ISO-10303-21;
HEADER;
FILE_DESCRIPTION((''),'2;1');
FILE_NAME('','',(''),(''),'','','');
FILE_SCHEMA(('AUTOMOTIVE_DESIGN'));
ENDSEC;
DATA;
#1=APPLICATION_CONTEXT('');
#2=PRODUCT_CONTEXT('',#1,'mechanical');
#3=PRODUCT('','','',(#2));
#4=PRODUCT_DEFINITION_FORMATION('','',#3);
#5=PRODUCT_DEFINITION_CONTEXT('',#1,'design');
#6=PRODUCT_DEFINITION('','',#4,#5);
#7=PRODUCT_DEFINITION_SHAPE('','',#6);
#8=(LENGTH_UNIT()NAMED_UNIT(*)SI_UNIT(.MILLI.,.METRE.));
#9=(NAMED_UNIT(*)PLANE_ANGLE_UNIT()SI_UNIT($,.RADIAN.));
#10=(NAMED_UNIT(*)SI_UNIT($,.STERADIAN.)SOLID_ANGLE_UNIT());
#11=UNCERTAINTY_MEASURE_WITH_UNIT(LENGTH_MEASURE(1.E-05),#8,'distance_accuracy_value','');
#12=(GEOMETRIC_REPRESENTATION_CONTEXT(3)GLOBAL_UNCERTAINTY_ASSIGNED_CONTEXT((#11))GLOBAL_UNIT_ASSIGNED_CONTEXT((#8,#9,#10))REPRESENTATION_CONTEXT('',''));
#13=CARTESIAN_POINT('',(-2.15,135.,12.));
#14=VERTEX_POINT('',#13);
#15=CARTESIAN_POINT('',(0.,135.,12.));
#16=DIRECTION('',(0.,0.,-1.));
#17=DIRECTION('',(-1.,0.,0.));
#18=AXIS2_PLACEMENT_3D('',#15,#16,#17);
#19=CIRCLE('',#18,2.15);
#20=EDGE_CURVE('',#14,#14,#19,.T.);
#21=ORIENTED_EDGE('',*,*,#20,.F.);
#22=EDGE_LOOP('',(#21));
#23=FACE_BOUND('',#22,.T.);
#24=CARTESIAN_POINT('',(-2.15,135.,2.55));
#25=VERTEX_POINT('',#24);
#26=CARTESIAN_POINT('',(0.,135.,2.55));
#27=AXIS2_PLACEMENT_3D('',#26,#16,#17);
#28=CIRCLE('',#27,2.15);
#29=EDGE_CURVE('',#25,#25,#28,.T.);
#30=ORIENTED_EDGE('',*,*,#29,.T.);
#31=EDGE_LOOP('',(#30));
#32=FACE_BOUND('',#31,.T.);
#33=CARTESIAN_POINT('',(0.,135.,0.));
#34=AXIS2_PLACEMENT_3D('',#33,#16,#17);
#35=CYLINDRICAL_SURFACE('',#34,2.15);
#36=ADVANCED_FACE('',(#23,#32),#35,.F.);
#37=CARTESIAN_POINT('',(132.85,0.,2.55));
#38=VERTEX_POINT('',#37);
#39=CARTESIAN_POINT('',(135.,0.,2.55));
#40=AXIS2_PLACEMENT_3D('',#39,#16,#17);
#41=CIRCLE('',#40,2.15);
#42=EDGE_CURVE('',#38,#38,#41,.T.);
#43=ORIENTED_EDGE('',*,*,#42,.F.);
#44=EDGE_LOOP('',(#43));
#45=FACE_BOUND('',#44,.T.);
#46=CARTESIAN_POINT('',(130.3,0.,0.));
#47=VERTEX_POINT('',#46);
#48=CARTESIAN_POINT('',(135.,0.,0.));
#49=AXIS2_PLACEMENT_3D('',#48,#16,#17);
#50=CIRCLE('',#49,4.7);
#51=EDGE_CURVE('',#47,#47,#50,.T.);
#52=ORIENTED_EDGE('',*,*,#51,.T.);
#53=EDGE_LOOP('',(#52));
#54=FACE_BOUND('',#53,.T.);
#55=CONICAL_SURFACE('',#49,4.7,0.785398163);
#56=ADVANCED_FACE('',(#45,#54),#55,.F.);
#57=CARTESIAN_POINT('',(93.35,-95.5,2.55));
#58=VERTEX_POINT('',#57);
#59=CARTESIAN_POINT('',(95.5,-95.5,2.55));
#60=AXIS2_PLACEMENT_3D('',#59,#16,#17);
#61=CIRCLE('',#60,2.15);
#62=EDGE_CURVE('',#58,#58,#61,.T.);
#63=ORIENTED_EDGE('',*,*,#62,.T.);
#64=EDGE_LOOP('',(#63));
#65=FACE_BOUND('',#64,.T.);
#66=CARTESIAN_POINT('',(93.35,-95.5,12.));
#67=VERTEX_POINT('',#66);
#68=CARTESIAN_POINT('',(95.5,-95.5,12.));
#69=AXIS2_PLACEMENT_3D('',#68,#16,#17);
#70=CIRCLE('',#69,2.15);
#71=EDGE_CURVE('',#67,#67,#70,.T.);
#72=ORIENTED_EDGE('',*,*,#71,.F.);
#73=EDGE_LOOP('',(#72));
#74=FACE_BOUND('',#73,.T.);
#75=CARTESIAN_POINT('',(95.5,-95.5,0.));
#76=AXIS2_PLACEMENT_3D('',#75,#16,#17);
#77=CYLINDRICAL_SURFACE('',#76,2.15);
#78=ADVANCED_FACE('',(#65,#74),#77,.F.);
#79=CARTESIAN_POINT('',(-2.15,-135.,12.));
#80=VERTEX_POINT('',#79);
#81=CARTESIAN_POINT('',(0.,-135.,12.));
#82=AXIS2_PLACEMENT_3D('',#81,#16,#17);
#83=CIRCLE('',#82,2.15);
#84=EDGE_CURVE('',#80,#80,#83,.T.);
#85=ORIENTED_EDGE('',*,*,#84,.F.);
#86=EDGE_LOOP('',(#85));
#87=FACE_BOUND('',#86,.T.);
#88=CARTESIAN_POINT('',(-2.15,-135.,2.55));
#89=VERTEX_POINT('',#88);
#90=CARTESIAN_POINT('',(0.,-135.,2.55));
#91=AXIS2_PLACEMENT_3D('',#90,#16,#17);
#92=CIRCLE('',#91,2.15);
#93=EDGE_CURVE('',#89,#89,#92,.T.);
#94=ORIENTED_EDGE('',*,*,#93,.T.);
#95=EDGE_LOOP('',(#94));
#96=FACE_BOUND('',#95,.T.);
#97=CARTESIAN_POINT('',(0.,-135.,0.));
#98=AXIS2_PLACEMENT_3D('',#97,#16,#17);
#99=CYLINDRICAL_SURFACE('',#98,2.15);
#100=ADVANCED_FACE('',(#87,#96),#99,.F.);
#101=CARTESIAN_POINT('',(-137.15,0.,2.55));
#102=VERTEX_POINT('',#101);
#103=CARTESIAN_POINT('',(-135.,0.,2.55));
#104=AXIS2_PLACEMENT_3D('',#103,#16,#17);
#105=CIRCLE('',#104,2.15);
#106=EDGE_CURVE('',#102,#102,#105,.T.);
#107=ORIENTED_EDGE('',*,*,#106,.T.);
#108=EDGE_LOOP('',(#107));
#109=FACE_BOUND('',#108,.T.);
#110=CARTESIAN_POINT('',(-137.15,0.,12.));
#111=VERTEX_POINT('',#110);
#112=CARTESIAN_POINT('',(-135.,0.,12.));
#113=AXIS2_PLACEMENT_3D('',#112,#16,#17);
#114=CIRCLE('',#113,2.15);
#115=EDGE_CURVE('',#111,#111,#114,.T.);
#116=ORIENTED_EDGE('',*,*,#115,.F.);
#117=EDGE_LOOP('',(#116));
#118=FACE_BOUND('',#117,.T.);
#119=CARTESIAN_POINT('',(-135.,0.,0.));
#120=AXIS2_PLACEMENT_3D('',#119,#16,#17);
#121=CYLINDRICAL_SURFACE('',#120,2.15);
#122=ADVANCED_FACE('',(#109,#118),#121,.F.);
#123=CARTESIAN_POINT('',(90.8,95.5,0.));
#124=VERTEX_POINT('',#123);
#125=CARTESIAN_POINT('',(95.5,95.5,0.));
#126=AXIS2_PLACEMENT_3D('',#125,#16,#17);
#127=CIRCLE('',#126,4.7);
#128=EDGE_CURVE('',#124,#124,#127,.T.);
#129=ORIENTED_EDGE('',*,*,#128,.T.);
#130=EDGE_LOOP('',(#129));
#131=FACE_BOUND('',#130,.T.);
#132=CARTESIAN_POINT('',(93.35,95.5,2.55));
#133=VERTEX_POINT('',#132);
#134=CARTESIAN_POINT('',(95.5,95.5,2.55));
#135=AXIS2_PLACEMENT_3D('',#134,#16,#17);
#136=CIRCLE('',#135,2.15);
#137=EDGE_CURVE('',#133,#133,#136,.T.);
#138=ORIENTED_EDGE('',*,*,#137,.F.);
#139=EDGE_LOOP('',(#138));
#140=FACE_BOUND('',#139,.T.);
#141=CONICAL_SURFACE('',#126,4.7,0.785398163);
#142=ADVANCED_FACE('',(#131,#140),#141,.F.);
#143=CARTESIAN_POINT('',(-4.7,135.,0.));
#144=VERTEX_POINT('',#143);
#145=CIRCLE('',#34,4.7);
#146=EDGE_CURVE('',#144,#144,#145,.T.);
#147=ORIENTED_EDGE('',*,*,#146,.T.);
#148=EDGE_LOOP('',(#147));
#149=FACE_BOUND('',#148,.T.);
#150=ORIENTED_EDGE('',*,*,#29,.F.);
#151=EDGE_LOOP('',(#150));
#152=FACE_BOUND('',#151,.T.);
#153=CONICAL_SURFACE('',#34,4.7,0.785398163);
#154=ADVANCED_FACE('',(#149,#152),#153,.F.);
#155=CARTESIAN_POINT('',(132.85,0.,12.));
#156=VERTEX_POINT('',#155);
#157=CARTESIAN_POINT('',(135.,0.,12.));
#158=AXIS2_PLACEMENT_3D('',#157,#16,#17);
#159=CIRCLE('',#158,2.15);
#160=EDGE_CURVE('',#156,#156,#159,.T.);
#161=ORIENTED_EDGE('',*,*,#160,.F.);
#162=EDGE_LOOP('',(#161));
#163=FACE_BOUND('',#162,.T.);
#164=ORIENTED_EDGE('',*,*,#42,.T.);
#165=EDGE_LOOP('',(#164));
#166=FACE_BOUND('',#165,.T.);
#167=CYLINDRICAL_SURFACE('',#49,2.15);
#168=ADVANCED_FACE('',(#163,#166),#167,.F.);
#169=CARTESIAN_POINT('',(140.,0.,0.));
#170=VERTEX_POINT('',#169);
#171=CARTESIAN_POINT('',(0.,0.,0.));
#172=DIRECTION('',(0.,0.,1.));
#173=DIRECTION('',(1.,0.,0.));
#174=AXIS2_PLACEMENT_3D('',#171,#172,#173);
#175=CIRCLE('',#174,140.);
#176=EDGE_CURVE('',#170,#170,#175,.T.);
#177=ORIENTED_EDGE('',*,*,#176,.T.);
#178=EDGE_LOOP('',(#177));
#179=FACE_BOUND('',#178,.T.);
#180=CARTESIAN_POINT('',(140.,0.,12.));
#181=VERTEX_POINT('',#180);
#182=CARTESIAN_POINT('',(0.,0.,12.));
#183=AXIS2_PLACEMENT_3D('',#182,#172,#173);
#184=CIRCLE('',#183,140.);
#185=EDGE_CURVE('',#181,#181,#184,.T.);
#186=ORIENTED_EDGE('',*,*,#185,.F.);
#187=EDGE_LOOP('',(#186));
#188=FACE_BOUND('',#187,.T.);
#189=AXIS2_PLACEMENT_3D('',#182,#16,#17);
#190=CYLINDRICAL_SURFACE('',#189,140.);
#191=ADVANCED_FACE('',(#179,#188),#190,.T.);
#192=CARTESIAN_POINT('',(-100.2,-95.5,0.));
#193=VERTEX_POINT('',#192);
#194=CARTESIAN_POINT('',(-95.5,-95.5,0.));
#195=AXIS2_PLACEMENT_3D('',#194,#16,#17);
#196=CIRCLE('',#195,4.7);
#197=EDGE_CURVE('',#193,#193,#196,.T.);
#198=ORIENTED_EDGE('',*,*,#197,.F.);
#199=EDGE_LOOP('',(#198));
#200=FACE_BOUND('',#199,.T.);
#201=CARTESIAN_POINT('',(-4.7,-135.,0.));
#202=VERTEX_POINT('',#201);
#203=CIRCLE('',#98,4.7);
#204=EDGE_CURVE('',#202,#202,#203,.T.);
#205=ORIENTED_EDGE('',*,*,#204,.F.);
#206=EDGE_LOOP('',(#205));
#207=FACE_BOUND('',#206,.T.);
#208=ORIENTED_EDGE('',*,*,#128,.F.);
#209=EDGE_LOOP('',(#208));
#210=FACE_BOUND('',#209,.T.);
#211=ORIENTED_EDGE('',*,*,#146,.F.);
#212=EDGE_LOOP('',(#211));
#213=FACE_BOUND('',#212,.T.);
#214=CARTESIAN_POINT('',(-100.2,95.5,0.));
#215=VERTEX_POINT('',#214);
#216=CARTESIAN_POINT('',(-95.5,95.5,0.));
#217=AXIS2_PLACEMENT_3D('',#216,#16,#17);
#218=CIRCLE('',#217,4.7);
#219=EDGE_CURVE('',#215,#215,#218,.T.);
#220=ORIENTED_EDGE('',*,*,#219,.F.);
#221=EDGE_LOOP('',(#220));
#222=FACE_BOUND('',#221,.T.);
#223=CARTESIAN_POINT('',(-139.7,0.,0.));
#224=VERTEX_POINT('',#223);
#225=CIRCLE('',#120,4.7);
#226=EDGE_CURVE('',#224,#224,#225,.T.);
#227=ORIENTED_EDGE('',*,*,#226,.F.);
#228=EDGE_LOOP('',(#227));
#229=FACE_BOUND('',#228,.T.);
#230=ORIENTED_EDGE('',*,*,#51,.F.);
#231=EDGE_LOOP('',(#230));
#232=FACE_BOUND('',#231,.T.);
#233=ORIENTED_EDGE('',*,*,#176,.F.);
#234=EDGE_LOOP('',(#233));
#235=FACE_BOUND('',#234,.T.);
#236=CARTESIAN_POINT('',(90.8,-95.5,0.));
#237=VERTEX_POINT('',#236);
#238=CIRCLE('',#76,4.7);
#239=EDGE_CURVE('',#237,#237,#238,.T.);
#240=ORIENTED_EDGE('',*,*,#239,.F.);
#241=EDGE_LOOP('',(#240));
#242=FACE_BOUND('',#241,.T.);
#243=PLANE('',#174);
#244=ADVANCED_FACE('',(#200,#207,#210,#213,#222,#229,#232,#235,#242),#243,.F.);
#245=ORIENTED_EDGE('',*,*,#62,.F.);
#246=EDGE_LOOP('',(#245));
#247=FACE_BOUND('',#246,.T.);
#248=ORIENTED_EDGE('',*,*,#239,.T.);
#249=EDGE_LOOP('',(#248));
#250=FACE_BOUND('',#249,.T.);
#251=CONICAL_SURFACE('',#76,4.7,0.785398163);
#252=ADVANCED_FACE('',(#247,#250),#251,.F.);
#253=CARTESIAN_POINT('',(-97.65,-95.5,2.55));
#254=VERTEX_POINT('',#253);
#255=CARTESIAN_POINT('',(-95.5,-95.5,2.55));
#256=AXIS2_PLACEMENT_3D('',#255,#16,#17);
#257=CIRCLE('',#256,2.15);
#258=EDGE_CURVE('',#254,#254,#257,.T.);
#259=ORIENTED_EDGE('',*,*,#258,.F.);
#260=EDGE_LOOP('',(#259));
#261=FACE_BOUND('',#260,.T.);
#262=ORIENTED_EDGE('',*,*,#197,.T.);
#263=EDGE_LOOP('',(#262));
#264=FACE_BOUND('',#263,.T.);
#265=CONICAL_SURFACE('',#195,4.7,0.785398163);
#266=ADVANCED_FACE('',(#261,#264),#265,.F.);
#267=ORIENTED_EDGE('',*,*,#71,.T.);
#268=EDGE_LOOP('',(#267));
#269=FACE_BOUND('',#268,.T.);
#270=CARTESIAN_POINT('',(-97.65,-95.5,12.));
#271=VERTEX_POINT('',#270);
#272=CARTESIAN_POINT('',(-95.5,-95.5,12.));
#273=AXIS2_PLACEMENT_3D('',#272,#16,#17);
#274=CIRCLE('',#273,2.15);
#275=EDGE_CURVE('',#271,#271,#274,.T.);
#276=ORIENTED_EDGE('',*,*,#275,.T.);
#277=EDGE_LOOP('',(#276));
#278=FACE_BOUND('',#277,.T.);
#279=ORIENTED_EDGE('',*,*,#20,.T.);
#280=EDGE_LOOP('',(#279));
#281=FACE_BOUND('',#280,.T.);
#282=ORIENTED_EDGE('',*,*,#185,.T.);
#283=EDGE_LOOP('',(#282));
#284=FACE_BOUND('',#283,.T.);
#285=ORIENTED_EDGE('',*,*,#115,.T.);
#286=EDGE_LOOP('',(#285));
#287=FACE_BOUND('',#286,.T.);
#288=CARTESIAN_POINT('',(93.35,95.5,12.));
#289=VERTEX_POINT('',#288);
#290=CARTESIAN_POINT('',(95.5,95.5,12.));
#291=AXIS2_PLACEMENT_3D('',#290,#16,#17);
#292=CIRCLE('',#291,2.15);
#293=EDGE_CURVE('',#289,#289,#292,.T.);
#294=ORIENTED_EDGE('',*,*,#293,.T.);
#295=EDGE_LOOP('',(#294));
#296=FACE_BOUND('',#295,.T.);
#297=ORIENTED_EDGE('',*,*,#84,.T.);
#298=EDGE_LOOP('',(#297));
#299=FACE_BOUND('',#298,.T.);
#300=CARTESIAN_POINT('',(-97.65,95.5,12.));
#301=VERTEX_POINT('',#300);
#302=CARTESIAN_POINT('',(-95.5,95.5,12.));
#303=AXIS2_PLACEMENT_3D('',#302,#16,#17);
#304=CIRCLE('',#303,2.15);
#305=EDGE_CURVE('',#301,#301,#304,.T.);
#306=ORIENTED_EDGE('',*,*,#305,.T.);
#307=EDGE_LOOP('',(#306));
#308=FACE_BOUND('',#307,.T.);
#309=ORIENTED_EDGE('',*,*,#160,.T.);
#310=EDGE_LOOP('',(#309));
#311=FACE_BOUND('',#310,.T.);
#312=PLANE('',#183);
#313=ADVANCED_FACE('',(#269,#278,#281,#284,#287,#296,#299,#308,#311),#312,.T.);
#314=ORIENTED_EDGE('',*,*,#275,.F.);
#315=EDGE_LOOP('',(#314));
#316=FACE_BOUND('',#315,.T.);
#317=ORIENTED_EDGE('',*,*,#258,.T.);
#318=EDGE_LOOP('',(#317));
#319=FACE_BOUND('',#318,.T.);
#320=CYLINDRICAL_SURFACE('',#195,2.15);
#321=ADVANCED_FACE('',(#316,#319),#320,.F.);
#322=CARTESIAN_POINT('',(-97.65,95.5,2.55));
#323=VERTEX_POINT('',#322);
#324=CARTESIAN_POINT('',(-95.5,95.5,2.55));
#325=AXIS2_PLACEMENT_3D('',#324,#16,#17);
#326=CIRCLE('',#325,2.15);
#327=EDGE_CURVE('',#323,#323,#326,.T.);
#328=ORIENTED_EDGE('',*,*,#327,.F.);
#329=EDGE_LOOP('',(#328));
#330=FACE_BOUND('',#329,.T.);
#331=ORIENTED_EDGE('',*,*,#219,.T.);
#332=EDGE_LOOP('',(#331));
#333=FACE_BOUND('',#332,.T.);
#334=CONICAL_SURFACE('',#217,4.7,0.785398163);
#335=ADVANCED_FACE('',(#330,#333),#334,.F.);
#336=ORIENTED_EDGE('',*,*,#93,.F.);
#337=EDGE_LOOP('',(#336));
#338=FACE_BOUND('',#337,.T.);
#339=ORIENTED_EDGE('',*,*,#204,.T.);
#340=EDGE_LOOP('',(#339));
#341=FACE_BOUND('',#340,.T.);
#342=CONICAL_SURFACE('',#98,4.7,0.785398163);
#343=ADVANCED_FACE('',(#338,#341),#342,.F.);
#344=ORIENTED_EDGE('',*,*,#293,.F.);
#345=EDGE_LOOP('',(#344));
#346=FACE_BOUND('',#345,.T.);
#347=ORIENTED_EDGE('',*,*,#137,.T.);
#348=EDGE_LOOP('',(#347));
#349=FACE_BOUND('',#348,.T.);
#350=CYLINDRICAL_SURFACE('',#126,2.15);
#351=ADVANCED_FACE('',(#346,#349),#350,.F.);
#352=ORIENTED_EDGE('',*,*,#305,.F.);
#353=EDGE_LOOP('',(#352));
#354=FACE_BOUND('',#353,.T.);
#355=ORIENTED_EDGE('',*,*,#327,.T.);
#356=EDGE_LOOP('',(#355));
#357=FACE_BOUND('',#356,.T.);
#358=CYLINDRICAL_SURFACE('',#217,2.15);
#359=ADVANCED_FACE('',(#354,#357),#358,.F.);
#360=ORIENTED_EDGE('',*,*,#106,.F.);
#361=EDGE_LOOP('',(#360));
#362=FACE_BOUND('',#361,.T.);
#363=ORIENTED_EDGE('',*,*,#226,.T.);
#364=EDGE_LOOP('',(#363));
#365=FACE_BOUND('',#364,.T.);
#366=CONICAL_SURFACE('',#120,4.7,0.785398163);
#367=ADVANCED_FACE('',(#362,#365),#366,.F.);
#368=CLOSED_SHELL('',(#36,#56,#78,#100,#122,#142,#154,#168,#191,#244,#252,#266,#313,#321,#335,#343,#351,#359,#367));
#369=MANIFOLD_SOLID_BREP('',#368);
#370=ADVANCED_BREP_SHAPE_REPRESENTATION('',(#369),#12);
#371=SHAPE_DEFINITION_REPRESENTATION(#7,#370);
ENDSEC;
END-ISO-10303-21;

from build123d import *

# Parameters (mm, degrees)
SKETCH1_R                                       = 140
BOSS_EXTRUDE1_DEPTH                             = 12
CSK_FOR_M4_FLAT_HEAD_MACHINE_SCREW1_D           = 4.3
CSK_FOR_M4_FLAT_HEAD_MACHINE_SCREW1_CSINK_D     = 9.4
CSK_FOR_M4_FLAT_HEAD_MACHINE_SCREW1_CSINK_ANGLE = 90


with BuildPart() as part:
    # Sketch1 → Boss-Extrude1 (new body)
    with BuildSketch(Plane.XY):
        Circle(SKETCH1_R)
    extrude(amount=BOSS_EXTRUDE1_DEPTH)

    # CSK for M4 Flat Head Machine Screw1 (through all)
    with Locations(Plane(origin=(0, 0, 0), x_dir=(-1, 0, 0), z_dir=(0, 0, -1))):
        with Locations((0, 135), (135, 0), (0, -135), (-135, 0), (-95.5, 95.5), (95.5, 95.5), (95.5, -95.5), (-95.5, -95.5)):
            CounterSinkHole(CSK_FOR_M4_FLAT_HEAD_MACHINE_SCREW1_D / 2, CSK_FOR_M4_FLAT_HEAD_MACHINE_SCREW1_CSINK_D / 2, counter_sink_angle=CSK_FOR_M4_FLAT_HEAD_MACHINE_SCREW1_CSINK_ANGLE)


solid = part.part
